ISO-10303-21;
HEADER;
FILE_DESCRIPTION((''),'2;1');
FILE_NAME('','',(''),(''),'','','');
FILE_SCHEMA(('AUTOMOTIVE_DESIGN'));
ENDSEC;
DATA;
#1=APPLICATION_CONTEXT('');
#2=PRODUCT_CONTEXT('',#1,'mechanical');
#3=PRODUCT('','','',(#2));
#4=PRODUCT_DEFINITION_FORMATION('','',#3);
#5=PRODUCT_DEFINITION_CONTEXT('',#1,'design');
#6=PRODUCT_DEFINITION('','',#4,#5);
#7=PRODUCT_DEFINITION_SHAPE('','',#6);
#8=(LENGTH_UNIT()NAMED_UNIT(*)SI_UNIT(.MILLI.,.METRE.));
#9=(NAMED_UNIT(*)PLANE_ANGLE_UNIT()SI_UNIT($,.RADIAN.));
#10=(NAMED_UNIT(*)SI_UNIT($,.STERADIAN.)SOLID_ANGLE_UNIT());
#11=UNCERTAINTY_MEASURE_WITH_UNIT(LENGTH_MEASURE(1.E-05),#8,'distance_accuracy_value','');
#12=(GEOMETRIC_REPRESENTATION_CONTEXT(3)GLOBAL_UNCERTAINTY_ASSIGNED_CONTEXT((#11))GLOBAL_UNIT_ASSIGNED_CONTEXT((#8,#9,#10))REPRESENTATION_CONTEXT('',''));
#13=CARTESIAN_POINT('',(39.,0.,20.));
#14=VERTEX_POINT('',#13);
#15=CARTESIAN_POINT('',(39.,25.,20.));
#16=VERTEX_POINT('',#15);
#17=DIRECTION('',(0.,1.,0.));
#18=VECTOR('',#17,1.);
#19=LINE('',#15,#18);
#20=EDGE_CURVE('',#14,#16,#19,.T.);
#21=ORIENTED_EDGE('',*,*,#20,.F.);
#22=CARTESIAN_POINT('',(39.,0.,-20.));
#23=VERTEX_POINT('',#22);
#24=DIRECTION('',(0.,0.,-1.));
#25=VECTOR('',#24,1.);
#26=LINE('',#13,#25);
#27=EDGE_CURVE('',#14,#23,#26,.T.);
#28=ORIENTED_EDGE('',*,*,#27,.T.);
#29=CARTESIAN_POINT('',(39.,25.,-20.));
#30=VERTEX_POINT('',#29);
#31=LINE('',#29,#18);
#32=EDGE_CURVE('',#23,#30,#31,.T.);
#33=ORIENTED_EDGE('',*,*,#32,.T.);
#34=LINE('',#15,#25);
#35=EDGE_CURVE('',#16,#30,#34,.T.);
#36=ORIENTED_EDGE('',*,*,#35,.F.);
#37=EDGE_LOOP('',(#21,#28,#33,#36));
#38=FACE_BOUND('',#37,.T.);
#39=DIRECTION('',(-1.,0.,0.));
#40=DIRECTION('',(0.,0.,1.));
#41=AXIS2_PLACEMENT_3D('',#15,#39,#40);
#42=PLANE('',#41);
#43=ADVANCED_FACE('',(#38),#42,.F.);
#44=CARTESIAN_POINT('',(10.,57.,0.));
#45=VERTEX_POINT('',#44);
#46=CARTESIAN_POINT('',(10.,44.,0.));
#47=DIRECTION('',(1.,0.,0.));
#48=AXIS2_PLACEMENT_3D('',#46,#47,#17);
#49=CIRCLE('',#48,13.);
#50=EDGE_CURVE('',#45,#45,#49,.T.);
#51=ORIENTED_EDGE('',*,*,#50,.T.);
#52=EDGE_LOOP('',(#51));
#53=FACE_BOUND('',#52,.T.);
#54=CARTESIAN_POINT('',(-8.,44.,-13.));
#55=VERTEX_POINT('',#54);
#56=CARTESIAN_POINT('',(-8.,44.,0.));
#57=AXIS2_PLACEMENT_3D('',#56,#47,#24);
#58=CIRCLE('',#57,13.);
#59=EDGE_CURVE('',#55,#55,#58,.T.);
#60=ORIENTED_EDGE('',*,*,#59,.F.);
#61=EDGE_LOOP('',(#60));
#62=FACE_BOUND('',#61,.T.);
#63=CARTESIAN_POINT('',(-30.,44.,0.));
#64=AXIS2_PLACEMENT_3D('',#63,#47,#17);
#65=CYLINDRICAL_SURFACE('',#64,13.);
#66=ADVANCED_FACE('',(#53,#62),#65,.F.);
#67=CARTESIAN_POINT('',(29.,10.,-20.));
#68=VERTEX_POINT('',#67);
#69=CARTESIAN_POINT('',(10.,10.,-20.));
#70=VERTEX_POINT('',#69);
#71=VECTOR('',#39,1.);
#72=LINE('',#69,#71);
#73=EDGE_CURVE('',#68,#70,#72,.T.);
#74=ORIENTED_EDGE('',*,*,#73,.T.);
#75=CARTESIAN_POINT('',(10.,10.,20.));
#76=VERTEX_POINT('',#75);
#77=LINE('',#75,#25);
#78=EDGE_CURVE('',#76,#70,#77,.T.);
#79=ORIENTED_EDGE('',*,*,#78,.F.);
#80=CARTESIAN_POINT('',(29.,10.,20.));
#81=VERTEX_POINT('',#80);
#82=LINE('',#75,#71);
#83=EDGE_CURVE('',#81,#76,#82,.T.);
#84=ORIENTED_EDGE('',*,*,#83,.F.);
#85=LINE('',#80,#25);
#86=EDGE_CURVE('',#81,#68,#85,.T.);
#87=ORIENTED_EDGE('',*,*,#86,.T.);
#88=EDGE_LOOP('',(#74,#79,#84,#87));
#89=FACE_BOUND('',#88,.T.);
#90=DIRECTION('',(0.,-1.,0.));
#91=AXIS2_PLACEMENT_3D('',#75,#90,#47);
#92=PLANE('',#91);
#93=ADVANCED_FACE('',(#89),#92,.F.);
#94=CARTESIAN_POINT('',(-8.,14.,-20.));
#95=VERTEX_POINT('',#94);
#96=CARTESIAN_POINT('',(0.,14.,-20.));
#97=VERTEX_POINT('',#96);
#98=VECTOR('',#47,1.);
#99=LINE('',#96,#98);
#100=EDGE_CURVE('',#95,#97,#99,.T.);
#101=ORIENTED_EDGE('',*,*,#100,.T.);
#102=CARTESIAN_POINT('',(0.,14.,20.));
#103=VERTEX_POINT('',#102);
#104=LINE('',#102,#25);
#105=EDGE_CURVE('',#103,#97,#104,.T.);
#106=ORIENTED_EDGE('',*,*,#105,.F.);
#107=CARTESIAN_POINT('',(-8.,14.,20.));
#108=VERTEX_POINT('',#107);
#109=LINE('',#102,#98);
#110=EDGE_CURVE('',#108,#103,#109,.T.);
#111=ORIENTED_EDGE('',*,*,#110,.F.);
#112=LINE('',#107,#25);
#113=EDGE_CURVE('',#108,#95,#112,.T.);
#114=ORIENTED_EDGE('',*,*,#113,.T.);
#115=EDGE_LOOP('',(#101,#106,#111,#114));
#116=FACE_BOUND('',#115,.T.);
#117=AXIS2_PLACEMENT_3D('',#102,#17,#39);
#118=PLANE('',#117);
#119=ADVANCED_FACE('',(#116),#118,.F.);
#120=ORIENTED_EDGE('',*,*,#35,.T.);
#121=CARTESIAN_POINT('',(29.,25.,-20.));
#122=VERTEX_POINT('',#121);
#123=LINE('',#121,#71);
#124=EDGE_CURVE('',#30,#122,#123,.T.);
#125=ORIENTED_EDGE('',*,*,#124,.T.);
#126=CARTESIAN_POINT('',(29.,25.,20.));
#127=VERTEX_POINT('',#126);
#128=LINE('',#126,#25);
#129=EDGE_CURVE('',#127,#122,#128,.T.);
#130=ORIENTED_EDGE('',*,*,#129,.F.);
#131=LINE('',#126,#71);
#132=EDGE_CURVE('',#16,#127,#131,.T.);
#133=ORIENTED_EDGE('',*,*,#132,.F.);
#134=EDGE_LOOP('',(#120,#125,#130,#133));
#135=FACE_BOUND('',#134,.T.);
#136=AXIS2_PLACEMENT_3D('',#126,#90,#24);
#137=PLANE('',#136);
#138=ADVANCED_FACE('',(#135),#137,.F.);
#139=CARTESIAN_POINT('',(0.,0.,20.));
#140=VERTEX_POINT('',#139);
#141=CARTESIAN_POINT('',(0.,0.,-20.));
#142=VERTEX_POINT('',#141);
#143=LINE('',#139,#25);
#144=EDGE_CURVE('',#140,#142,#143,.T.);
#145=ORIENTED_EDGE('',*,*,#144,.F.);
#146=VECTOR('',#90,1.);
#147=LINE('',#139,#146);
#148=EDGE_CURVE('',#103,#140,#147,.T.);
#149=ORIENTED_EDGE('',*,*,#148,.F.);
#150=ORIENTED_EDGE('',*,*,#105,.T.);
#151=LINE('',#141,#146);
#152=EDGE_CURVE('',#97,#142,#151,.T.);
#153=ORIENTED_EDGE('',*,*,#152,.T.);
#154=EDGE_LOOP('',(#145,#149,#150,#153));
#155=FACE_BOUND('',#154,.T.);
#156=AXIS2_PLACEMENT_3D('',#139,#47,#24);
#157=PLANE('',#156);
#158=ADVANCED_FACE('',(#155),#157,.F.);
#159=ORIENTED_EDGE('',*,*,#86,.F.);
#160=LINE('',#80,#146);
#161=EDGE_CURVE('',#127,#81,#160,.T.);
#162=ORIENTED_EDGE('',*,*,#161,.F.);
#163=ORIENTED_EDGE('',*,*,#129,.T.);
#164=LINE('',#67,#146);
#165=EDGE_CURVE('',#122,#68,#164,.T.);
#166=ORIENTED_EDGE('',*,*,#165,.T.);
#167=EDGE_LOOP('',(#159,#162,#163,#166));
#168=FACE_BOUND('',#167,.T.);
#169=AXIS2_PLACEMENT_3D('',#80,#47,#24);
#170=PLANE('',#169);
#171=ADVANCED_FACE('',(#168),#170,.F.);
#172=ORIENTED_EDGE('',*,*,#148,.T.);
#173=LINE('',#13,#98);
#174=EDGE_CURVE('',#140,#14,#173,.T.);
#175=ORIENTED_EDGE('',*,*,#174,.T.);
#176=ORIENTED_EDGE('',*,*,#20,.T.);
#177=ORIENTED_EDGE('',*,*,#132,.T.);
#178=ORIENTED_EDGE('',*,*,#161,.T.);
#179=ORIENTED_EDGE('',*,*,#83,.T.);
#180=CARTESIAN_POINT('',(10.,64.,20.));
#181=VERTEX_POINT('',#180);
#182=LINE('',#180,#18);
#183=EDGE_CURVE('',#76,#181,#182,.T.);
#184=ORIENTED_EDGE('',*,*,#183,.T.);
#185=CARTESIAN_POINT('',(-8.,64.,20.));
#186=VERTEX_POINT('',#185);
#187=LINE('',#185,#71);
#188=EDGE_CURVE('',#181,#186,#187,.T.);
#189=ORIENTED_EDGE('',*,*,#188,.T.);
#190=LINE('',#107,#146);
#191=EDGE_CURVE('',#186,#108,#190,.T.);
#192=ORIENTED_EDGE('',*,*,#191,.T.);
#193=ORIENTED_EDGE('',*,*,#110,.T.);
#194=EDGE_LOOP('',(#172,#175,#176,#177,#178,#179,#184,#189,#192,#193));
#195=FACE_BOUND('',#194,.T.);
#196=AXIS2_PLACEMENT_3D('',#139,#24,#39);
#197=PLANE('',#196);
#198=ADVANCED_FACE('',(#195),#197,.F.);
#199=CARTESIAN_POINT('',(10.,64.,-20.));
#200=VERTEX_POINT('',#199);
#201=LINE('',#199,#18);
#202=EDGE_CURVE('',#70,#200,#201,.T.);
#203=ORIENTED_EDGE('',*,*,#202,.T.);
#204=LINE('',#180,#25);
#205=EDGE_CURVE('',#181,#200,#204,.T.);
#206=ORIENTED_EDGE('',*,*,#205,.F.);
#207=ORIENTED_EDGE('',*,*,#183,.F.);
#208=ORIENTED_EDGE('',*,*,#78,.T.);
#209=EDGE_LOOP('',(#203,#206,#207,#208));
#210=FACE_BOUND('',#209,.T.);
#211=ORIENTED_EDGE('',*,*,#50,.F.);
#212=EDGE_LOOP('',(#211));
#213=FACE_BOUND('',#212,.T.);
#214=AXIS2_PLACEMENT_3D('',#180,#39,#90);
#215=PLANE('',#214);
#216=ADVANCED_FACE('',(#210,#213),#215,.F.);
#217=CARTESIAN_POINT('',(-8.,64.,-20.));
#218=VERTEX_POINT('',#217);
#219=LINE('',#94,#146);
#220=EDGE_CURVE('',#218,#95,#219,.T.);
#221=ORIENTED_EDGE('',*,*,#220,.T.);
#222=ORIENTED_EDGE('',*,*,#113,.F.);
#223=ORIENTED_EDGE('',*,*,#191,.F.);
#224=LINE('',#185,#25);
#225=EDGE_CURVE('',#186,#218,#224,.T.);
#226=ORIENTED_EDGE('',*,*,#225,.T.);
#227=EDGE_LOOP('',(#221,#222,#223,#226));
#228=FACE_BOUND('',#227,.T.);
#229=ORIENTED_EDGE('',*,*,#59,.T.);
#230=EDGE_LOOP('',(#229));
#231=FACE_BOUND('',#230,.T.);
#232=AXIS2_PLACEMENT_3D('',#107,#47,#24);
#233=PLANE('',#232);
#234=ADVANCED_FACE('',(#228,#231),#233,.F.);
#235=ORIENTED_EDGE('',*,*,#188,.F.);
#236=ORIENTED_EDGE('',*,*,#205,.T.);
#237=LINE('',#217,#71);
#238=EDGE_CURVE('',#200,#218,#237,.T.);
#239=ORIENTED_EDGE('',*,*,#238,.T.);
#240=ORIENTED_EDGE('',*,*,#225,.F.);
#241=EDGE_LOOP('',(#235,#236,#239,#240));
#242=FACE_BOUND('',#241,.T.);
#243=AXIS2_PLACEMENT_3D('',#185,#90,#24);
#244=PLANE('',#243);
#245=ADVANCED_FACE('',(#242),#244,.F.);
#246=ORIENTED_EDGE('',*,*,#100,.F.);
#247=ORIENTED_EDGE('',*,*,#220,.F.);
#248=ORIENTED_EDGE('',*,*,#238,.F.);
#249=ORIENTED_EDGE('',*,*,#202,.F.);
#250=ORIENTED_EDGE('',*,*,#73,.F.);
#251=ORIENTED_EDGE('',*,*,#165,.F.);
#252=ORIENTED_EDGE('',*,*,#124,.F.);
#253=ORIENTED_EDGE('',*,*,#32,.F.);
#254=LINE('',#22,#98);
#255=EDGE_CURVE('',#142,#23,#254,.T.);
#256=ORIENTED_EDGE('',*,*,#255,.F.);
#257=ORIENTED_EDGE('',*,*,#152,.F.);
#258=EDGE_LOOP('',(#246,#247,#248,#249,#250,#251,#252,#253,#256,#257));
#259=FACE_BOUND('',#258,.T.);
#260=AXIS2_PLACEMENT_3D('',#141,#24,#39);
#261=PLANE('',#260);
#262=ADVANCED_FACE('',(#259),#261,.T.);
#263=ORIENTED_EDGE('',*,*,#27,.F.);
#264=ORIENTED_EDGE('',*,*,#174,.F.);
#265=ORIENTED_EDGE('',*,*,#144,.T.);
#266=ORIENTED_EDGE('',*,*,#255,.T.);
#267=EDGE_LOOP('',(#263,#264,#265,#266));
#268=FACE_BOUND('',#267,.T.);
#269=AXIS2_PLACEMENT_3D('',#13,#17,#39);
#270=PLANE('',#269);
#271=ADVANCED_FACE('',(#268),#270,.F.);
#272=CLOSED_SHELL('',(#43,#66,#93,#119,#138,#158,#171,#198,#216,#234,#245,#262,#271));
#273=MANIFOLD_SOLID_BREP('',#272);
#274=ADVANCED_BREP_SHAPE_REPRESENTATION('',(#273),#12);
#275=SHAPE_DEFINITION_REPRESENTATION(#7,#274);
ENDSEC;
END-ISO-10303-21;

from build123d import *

# Parameters (mm, degrees)
BOSS_EXTRUDE1_DEPTH = 20
SKETCH2_R           = 13
CUT_EXTRUDE1_DEPTH  = 40


with BuildPart() as part:
    # Sketch1 → Boss-Extrude1 (new, symmetric)
    with BuildSketch(Plane.XY):
        Polygon((0, 0), (0, 14), (-8, 14), (-8, 64), (10, 64), (10, 10), (29, 10), (29, 25), (39, 25), (39, 0), align=None)
    extrude(amount=BOSS_EXTRUDE1_DEPTH, both=True)

    # Sketch2 → Cut-Extrude1 (cut)
    with BuildSketch(Plane(origin=(10, 0, 0), x_dir=(0, 0, -1), z_dir=(1, 0, 0))):
        with Locations(Location((0, 44, 0), (0, 0, 90))):
            Circle(SKETCH2_R)
    extrude(amount=-CUT_EXTRUDE1_DEPTH, mode=Mode.SUBTRACT)


solid = part.part
